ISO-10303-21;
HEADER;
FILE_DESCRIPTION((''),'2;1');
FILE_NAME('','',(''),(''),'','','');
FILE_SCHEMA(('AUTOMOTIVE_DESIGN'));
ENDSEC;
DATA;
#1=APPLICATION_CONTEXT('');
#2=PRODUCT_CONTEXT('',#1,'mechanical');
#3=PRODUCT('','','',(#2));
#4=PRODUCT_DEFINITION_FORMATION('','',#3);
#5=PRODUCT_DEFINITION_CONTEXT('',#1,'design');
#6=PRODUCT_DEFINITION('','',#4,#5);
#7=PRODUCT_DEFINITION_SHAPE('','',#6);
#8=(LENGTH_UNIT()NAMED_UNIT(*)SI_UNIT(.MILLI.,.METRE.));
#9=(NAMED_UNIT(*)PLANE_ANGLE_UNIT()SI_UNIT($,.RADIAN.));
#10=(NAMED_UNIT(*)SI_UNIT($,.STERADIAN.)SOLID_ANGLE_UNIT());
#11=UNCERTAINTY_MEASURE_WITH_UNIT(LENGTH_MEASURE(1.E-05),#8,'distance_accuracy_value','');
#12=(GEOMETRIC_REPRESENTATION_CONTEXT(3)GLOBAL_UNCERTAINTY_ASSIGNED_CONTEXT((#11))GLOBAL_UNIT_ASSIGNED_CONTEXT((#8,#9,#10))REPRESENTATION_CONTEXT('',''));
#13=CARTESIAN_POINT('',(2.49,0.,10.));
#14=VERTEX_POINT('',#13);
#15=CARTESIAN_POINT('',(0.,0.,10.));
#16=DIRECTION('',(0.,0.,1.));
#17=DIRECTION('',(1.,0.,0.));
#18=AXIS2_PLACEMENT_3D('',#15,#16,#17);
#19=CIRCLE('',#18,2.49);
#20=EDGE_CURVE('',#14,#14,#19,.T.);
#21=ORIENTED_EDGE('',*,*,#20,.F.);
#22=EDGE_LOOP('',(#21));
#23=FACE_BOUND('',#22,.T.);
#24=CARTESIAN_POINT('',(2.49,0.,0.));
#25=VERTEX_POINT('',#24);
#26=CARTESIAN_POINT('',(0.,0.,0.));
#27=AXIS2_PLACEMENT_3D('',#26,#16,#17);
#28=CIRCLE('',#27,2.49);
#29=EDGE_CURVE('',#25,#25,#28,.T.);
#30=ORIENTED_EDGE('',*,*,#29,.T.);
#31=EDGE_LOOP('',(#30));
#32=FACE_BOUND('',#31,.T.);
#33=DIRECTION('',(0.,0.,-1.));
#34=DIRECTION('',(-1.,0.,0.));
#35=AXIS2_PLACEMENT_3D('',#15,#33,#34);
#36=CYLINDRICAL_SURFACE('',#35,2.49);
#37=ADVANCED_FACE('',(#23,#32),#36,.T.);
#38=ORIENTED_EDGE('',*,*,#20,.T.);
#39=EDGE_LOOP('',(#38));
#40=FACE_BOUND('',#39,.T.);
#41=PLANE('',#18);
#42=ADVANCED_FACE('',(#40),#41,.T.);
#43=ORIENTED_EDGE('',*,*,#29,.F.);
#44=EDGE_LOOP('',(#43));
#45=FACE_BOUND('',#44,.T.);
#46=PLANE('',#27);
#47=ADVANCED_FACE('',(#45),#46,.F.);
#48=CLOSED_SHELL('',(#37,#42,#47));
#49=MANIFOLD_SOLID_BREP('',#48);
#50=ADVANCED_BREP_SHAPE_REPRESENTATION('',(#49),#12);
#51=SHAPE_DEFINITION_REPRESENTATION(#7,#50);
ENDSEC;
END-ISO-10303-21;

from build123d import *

# Parameters (mm, degrees)
SKETCH1_R           = 2.49
BOSS_EXTRUDE1_DEPTH = 10


with BuildPart() as part:
    # Sketch1 → Boss-Extrude1 (new body)
    with BuildSketch(Plane.XY):
        Circle(SKETCH1_R)
    extrude(amount=BOSS_EXTRUDE1_DEPTH)


solid = part.part
